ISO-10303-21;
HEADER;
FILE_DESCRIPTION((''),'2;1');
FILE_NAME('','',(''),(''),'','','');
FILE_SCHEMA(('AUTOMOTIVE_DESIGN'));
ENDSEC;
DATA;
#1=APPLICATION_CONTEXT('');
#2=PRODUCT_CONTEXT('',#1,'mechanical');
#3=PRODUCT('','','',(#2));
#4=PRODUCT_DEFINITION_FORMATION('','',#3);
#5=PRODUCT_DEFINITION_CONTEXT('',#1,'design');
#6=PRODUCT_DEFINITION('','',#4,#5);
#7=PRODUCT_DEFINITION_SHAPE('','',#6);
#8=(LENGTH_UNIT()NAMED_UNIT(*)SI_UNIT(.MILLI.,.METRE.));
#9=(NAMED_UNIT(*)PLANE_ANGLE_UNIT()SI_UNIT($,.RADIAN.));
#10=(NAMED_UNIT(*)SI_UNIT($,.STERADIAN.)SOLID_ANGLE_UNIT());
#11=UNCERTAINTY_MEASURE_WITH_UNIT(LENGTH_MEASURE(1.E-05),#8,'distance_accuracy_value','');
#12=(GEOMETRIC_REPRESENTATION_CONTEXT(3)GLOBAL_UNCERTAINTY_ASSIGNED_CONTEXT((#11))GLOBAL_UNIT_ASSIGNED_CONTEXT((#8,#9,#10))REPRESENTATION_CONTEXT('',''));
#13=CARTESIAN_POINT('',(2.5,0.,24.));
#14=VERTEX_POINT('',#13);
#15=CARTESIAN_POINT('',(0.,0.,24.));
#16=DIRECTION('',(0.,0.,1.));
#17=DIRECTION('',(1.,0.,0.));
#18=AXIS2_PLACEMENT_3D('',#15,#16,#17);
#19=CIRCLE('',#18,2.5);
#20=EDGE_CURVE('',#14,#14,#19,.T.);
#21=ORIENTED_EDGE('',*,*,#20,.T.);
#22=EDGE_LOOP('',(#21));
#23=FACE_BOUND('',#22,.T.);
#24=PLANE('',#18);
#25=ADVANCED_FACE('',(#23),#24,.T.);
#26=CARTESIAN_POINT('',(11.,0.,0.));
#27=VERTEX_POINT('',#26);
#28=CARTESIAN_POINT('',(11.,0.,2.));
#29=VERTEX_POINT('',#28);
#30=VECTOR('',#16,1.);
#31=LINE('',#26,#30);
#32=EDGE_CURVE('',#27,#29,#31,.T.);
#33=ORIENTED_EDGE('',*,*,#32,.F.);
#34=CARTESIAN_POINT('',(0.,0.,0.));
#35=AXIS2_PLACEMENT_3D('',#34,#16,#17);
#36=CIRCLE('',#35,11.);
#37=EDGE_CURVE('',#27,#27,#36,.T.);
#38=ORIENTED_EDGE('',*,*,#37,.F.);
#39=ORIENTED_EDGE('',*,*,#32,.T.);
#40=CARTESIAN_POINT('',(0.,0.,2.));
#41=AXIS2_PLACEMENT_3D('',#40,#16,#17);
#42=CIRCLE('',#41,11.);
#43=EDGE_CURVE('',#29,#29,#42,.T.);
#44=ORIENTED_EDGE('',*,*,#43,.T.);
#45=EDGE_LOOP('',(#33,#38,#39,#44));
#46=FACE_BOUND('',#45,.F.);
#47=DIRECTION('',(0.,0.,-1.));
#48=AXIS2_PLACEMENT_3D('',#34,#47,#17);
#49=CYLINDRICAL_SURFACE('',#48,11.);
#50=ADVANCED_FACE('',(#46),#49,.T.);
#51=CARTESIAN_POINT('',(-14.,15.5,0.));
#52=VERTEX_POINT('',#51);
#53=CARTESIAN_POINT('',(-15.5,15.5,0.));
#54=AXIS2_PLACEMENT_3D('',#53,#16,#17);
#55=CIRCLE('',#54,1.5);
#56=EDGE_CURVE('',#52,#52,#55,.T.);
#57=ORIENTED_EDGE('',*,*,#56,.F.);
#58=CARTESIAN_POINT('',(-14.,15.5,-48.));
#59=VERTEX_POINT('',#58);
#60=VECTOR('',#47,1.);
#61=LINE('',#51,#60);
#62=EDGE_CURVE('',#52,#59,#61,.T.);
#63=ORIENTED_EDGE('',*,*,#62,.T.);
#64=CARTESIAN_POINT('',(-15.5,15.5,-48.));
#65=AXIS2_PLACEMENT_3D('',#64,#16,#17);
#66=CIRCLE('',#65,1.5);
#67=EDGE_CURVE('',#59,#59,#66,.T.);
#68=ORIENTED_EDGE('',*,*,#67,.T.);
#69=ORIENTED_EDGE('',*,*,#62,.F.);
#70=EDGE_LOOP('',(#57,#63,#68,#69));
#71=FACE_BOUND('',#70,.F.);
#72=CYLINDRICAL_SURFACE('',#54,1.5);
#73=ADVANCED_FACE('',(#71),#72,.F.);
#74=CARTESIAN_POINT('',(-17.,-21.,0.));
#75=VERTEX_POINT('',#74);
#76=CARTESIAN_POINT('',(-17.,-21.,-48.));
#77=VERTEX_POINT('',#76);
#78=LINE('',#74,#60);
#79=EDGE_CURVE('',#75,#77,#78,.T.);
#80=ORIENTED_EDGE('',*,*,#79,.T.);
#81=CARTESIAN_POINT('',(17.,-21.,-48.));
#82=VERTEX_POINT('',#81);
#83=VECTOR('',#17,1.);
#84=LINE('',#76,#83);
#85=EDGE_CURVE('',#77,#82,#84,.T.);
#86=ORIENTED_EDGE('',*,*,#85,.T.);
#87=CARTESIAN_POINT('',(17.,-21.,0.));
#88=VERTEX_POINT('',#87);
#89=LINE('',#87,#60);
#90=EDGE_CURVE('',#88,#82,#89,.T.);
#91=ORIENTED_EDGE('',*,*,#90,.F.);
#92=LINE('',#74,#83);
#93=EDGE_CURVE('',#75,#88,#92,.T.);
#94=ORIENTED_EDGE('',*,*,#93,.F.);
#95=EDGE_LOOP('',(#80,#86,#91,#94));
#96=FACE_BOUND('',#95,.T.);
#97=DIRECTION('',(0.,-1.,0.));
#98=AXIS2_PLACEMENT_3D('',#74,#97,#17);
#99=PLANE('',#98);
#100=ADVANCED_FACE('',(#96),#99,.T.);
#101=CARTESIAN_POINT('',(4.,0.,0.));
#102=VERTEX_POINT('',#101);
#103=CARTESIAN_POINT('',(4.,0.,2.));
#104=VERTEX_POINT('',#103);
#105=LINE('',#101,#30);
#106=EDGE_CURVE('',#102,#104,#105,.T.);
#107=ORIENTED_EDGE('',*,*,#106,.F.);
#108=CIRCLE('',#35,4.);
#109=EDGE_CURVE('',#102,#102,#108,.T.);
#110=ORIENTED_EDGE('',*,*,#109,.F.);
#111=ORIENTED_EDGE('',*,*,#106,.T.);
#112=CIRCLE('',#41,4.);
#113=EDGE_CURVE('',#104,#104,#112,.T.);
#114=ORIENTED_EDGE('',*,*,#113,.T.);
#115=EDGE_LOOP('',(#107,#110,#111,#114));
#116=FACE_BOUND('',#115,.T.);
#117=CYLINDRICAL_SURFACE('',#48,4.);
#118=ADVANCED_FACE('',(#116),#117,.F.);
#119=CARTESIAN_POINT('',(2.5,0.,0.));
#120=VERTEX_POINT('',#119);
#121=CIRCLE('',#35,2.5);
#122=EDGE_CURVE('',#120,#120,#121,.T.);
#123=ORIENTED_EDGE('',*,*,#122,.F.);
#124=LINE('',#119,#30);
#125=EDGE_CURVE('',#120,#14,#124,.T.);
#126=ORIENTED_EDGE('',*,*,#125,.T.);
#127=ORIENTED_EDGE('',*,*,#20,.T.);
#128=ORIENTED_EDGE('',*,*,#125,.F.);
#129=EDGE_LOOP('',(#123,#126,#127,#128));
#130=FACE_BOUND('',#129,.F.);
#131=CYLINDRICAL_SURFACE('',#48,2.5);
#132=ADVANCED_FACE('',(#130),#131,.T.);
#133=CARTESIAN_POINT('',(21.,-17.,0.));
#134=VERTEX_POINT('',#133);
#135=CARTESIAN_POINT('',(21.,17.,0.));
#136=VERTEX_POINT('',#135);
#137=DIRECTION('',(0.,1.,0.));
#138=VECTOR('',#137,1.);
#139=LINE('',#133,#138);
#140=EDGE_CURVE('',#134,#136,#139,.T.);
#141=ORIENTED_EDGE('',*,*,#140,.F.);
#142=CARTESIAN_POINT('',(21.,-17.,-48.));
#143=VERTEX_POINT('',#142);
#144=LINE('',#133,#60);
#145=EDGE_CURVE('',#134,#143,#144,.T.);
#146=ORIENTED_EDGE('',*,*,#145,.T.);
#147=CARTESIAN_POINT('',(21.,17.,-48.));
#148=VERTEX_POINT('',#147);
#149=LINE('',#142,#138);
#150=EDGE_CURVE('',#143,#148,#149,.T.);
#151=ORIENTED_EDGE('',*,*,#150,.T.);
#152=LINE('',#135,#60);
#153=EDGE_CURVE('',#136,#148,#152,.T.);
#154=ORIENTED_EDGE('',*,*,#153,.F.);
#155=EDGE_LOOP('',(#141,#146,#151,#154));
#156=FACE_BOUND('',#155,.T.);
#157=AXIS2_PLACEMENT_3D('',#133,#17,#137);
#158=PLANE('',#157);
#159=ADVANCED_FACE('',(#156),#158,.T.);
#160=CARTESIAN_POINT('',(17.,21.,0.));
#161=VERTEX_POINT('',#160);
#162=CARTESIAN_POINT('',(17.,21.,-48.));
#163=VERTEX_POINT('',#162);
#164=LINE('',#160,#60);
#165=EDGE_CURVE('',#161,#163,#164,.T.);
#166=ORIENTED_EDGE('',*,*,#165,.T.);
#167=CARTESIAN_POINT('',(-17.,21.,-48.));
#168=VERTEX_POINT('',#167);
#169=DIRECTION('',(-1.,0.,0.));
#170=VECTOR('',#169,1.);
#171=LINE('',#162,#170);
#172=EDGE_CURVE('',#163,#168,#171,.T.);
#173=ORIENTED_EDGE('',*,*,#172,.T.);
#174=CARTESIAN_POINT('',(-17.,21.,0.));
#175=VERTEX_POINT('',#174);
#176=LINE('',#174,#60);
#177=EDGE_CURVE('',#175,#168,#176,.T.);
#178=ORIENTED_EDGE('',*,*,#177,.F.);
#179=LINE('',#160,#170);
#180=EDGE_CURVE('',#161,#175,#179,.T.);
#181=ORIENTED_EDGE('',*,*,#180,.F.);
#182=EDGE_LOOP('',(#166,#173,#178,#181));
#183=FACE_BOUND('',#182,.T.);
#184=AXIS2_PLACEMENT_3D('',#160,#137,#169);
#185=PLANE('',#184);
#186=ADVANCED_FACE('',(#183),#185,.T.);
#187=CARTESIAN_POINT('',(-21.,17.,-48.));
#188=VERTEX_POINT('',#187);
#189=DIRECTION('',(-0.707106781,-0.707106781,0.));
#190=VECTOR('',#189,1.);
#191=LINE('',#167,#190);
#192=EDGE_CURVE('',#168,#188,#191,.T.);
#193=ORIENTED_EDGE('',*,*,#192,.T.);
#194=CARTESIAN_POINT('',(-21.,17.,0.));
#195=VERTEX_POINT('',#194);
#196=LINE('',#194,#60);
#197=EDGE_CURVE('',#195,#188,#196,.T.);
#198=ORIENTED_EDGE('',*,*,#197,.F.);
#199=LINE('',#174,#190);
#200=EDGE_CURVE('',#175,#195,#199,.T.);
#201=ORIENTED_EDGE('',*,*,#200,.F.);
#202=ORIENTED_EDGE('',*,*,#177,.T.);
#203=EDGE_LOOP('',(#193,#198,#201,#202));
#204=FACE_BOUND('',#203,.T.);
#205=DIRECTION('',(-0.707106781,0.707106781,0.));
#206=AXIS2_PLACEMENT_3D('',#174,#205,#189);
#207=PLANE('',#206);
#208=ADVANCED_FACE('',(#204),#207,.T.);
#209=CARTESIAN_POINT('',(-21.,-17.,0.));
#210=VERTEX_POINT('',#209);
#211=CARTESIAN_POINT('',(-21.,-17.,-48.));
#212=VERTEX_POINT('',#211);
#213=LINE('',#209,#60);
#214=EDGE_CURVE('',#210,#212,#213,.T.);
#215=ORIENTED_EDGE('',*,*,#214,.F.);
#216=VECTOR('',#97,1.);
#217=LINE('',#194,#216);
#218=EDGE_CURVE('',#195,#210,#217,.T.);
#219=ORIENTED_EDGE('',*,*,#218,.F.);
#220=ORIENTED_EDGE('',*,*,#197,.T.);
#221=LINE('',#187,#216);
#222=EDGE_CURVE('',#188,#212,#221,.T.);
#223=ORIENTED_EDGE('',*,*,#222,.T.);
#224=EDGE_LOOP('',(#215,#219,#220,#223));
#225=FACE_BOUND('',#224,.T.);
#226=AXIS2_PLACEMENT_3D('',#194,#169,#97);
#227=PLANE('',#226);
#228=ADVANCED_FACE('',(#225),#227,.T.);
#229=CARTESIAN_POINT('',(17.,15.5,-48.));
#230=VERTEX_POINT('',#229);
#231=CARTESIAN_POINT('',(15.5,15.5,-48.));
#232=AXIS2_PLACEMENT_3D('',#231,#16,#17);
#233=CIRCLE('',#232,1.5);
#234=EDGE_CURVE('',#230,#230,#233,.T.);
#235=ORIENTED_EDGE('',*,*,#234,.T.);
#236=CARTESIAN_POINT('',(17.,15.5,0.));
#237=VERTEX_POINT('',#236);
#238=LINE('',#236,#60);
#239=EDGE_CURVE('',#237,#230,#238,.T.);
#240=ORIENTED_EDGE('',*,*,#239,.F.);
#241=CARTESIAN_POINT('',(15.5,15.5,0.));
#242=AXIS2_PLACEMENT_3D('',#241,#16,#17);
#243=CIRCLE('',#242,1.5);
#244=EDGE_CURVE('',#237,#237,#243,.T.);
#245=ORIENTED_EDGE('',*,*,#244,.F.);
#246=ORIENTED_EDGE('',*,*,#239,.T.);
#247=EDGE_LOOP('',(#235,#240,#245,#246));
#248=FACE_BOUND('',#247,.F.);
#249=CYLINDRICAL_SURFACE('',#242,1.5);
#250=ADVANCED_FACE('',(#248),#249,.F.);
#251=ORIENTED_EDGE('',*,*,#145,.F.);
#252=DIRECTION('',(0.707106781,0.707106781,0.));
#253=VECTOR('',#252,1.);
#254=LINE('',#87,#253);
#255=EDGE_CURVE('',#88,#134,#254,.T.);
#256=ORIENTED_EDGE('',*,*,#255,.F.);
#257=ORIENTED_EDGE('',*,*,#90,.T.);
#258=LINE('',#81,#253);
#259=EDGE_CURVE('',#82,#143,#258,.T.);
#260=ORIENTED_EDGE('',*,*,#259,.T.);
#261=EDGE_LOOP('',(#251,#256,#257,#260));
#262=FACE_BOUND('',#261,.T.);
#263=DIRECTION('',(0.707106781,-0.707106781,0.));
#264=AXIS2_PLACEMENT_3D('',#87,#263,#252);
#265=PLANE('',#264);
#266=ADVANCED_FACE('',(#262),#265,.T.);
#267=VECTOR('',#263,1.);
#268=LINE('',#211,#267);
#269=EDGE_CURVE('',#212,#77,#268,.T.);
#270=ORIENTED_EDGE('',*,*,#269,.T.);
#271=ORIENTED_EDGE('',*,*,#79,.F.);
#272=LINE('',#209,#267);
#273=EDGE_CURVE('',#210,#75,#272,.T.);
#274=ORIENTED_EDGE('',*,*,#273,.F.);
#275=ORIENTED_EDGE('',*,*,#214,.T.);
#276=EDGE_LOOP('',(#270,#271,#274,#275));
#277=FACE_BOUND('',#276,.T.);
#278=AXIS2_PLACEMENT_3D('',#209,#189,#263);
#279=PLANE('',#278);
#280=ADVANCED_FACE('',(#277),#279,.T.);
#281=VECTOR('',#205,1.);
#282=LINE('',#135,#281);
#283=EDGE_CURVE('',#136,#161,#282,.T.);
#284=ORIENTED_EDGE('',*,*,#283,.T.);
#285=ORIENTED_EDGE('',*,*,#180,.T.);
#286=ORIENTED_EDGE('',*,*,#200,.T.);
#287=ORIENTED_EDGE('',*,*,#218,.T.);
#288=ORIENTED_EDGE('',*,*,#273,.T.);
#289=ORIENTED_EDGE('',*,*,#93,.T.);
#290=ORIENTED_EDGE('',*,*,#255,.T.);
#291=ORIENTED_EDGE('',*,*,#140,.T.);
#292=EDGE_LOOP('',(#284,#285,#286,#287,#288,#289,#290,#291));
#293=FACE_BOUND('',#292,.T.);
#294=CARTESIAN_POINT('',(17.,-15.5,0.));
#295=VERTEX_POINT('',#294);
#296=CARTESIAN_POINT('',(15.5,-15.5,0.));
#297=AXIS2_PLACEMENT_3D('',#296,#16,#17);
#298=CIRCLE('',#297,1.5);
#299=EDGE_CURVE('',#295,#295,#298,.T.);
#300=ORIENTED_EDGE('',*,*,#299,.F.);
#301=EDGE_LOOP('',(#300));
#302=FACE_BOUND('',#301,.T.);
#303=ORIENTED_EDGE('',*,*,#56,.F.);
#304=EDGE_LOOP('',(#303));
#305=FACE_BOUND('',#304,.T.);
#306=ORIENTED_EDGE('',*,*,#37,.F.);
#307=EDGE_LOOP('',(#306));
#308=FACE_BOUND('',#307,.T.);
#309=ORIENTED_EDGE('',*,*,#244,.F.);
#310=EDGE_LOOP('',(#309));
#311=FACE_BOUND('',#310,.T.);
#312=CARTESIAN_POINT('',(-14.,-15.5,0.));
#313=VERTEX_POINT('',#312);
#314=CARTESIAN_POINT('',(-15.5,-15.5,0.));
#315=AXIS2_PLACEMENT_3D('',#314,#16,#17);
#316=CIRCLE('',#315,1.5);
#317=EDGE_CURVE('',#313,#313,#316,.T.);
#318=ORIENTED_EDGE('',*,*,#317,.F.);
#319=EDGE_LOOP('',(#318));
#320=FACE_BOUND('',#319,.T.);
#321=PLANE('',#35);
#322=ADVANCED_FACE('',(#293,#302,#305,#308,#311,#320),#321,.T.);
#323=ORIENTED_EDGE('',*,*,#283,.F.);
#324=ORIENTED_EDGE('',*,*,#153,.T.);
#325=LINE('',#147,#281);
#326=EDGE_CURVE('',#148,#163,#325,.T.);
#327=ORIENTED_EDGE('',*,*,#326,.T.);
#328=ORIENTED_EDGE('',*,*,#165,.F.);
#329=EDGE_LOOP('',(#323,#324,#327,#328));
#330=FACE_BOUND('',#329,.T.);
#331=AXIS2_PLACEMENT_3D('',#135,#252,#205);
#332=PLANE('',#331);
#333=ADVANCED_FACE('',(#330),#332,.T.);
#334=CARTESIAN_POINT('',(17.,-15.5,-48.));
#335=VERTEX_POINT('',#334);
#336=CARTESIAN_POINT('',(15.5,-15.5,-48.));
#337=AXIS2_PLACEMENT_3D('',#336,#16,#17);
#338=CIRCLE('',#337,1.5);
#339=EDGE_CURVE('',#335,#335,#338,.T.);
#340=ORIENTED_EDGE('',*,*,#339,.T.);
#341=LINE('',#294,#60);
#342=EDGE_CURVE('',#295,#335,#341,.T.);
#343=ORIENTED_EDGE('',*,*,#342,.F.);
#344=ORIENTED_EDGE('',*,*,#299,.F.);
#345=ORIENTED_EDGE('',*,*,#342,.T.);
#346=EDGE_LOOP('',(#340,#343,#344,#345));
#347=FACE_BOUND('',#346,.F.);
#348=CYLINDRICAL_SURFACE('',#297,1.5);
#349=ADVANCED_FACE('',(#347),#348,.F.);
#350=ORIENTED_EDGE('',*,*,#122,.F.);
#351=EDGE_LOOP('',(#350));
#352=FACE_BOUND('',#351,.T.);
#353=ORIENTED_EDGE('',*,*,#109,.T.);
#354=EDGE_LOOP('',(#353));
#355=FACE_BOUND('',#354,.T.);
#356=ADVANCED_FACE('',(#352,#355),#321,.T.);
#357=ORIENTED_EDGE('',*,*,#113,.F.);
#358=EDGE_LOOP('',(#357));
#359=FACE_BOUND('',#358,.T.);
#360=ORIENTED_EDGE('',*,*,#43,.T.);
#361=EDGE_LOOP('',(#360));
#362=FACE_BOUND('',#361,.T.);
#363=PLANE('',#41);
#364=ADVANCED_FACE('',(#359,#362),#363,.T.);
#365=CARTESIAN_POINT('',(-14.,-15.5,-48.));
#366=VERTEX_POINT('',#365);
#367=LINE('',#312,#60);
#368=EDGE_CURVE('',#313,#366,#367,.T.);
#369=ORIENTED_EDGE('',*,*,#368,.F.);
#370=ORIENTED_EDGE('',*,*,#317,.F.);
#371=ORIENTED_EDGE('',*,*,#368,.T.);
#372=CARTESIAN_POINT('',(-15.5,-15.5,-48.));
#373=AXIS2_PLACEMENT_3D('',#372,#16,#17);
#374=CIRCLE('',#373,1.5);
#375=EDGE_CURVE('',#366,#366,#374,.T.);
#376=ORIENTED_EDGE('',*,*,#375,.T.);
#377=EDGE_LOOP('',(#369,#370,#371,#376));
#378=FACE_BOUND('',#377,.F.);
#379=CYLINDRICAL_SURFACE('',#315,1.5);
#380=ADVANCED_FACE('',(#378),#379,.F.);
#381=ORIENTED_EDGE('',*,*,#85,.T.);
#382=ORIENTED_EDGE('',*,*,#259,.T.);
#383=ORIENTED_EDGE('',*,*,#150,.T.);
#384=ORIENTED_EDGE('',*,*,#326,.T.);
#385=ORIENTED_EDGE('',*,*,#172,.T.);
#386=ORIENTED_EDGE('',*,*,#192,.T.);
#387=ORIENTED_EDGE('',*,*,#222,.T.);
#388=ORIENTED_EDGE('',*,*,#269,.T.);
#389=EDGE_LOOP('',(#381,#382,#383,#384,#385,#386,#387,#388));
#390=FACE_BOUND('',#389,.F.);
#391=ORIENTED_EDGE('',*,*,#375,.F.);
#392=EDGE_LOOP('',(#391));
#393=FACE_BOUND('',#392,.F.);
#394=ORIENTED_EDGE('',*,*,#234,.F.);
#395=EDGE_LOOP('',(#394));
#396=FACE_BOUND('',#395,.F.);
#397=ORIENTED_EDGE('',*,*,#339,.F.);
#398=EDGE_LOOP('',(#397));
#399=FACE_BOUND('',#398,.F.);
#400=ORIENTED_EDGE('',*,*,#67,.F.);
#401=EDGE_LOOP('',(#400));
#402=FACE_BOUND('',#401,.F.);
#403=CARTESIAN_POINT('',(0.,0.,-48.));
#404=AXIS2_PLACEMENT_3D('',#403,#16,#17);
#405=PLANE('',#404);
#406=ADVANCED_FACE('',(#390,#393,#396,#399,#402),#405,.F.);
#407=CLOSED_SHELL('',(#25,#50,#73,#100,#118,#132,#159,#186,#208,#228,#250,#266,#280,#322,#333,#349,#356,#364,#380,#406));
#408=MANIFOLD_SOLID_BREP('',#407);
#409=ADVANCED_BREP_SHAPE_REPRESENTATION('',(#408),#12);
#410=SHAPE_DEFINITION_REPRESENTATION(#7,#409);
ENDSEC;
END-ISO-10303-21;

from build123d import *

# Parameters (mm, degrees)
F0_R     = 1.5
F1_DEPTH = 48
F2_R     = 11
F2_R_2   = 4
F3_DEPTH = 2
F4_R     = 2.5
F5_DEPTH = 24


with BuildPart() as f1:
    # F0 (on Top) → F1 (new body)
    with BuildSketch(Plane.XY):
        Polygon((-21, 17), (-21, 0), (-21, -17), (-17, -21), (0, -21), (17, -21), (21, -17), (21, 0), (21, 17), (17, 21), (0, 21), (-17, 21), align=None)
        with Locations((-15.5, -15.5)):
            Circle(F0_R, mode=Mode.SUBTRACT)
        with Locations((15.5, -15.5)):
            Circle(F0_R, mode=Mode.SUBTRACT)
        with Locations((-15.5, 15.5)):
            Circle(F0_R, mode=Mode.SUBTRACT)
        with Locations((15.5, 15.5)):
            Circle(F0_R, mode=Mode.SUBTRACT)
    extrude(amount=-F1_DEPTH)

    # F2 (on face) → F3 (join)
    with BuildSketch(Plane.XY):
        Circle(F2_R)
        Circle(F2_R_2, mode=Mode.SUBTRACT)
    extrude(amount=F3_DEPTH)

    # F4 (on face) → F5 (join)
    with BuildSketch(Plane.XY):
        Circle(F4_R)
    extrude(amount=F5_DEPTH)


solid = f1.part
